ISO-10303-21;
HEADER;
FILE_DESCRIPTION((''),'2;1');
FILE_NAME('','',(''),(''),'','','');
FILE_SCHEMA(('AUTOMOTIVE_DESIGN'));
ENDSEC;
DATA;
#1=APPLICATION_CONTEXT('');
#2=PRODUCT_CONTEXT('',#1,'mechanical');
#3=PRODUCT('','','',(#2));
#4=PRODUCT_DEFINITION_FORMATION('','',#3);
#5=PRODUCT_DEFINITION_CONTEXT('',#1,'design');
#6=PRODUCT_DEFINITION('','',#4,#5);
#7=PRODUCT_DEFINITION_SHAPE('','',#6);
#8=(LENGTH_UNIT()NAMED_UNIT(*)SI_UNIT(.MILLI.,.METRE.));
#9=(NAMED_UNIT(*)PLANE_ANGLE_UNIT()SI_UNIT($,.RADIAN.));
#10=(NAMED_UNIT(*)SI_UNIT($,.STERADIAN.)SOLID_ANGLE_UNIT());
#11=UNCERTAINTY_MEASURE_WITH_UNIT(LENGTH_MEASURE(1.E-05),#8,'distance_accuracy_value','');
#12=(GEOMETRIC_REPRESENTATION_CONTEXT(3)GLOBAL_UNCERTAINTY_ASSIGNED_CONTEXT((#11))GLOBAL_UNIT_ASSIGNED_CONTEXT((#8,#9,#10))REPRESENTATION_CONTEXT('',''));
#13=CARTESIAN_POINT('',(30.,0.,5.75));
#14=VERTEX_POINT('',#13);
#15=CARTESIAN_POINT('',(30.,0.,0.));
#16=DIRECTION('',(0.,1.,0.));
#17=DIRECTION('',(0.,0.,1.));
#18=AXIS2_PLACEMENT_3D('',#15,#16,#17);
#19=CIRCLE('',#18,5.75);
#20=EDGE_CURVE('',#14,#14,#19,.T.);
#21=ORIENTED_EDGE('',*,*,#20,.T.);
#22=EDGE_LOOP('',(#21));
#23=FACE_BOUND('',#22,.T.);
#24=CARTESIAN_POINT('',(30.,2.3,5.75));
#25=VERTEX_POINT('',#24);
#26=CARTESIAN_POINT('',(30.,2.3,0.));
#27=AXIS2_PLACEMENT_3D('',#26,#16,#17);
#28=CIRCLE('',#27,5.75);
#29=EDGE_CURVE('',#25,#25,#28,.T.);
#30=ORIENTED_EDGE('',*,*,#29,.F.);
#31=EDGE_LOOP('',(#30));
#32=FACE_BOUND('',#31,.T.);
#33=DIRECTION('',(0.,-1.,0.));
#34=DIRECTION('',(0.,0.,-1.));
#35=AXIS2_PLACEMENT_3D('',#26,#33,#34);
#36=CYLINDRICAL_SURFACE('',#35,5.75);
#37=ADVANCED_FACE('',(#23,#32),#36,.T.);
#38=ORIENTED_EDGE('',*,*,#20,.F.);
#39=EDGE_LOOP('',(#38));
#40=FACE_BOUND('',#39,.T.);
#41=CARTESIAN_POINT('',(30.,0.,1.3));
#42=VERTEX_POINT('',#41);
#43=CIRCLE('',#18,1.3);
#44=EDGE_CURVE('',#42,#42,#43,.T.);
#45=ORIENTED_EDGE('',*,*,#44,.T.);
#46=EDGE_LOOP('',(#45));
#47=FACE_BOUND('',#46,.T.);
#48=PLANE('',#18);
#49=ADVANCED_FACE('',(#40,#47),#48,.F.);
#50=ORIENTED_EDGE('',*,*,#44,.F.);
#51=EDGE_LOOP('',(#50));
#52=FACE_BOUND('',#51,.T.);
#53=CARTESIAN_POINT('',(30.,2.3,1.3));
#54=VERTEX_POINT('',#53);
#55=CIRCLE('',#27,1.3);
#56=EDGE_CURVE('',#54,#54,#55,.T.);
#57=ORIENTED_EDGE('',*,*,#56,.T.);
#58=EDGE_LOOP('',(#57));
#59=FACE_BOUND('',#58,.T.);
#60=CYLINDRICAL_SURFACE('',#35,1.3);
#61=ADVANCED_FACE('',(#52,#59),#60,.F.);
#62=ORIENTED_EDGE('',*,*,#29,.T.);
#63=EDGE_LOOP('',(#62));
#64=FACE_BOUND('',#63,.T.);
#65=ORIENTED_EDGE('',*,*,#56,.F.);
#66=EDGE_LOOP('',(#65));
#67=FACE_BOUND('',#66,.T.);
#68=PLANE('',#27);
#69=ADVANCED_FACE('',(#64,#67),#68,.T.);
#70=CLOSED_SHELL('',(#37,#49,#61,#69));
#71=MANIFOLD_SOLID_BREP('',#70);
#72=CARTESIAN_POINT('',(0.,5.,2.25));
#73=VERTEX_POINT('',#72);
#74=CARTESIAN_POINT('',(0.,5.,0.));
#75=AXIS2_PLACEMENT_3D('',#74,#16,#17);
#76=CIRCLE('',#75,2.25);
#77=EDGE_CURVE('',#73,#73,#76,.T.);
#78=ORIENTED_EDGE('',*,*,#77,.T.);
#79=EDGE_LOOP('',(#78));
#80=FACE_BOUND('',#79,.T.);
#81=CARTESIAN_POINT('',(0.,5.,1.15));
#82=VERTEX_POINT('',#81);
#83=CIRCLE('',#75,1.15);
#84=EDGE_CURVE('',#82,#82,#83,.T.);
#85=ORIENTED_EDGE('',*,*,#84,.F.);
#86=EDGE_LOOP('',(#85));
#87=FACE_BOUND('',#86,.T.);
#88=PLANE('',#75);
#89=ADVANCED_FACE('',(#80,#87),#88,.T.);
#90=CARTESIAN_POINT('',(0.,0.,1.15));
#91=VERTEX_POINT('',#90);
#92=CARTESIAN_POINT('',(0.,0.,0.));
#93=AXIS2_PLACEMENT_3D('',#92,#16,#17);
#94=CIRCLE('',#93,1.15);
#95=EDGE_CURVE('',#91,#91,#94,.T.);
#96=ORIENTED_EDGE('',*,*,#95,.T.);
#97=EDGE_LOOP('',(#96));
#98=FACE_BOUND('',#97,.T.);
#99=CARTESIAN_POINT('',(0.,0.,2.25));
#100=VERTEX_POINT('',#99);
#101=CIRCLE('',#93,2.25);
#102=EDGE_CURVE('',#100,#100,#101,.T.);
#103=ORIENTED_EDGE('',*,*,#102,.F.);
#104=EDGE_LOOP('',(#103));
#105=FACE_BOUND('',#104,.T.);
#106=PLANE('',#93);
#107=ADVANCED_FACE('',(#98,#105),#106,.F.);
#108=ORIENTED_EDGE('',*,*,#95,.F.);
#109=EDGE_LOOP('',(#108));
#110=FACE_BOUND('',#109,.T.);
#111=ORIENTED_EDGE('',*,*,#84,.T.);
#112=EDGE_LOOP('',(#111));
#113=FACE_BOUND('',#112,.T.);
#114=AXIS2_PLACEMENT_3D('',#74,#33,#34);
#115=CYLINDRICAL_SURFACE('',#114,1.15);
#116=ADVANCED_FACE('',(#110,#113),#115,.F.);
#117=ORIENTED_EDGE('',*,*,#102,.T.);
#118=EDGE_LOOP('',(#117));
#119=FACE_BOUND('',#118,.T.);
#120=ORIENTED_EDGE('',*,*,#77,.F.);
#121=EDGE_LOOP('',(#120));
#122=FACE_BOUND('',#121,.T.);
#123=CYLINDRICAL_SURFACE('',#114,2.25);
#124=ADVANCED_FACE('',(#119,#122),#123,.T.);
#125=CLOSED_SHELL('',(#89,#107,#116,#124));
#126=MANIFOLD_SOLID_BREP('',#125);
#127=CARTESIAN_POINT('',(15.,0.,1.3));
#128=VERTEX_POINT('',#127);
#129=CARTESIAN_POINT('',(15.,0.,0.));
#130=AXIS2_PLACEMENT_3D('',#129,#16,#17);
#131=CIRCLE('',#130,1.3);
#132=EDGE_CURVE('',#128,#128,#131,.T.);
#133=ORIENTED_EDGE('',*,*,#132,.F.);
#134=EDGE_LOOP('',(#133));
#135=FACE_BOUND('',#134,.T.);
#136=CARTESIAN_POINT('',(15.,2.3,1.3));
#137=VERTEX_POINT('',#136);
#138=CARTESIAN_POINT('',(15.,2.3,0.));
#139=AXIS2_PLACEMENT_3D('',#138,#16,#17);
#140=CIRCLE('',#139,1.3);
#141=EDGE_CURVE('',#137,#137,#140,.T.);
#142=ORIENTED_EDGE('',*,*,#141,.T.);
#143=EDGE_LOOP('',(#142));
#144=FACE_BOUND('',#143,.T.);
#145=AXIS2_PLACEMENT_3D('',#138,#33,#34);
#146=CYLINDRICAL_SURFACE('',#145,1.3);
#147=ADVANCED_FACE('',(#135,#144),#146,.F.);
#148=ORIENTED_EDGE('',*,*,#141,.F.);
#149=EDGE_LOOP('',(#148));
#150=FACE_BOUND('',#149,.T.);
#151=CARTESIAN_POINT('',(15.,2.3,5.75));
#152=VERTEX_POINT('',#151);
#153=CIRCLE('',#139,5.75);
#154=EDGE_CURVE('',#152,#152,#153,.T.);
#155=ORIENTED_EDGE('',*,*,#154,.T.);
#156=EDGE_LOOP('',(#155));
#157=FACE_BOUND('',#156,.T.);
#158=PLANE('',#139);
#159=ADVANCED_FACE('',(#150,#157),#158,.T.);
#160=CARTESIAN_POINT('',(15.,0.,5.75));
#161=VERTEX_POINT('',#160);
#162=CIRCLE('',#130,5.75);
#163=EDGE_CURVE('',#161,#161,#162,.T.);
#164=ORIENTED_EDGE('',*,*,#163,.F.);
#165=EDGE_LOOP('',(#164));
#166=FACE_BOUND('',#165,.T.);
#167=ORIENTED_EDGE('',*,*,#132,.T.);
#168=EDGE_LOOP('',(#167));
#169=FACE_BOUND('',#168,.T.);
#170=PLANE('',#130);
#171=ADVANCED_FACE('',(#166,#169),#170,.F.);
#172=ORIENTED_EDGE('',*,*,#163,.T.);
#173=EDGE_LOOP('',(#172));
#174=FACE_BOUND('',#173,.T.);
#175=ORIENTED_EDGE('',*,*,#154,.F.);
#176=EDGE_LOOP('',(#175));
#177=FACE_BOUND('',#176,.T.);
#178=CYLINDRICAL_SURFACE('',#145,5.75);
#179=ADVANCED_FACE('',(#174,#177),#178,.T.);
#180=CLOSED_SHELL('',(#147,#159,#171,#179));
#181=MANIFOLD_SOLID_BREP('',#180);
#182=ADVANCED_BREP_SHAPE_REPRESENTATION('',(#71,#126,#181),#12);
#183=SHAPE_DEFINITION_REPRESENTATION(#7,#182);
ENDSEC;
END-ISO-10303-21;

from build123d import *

# Parameters (mm, degrees)
SKETCH1_R             = 2.25
SKETCH1_R_2           = 1.15
BOSS_EXTRUDE1_DEPTH   = 5
SKETCH2_R             = 5.75
SKETCH2_R_2           = 1.3
BOSS_EXTRUDE2_DEPTH   = 2.3
BOSS_EXTRUDE2_2_DEPTH = 2.3


with BuildPart() as part:
    # Sketch1 → Boss-Extrude1 (new body)
    with BuildSketch(Plane(origin=(0, 0, 0), x_dir=(1, 0, 0), z_dir=(0, 1, 0))):
        Circle(SKETCH1_R)
        Circle(SKETCH1_R_2, mode=Mode.SUBTRACT)
    extrude(amount=BOSS_EXTRUDE1_DEPTH)


with BuildPart() as body_2:
    # Sketch2 → Boss-Extrude2 (new body)
    with BuildSketch(Plane(origin=(0, 0, 0), x_dir=(1, 0, 0), z_dir=(0, 1, 0))):
        with Locations((15, 0)):
            Circle(SKETCH2_R)
        with Locations((15, 0)):
            Circle(SKETCH2_R_2, mode=Mode.SUBTRACT)
    extrude(amount=BOSS_EXTRUDE2_DEPTH)


with BuildPart() as body_3:
    # Sketch2 → Boss-Extrude2 2 (new body)
    with BuildSketch(Plane(origin=(0, 0, 0), x_dir=(1, 0, 0), z_dir=(0, 1, 0))):
        with Locations((30, 0)):
            Circle(SKETCH2_R)
        with Locations((30, 0)):
            Circle(SKETCH2_R_2, mode=Mode.SUBTRACT)
    extrude(amount=BOSS_EXTRUDE2_2_DEPTH)


solid = Compound([part.part, body_2.part, body_3.part])
